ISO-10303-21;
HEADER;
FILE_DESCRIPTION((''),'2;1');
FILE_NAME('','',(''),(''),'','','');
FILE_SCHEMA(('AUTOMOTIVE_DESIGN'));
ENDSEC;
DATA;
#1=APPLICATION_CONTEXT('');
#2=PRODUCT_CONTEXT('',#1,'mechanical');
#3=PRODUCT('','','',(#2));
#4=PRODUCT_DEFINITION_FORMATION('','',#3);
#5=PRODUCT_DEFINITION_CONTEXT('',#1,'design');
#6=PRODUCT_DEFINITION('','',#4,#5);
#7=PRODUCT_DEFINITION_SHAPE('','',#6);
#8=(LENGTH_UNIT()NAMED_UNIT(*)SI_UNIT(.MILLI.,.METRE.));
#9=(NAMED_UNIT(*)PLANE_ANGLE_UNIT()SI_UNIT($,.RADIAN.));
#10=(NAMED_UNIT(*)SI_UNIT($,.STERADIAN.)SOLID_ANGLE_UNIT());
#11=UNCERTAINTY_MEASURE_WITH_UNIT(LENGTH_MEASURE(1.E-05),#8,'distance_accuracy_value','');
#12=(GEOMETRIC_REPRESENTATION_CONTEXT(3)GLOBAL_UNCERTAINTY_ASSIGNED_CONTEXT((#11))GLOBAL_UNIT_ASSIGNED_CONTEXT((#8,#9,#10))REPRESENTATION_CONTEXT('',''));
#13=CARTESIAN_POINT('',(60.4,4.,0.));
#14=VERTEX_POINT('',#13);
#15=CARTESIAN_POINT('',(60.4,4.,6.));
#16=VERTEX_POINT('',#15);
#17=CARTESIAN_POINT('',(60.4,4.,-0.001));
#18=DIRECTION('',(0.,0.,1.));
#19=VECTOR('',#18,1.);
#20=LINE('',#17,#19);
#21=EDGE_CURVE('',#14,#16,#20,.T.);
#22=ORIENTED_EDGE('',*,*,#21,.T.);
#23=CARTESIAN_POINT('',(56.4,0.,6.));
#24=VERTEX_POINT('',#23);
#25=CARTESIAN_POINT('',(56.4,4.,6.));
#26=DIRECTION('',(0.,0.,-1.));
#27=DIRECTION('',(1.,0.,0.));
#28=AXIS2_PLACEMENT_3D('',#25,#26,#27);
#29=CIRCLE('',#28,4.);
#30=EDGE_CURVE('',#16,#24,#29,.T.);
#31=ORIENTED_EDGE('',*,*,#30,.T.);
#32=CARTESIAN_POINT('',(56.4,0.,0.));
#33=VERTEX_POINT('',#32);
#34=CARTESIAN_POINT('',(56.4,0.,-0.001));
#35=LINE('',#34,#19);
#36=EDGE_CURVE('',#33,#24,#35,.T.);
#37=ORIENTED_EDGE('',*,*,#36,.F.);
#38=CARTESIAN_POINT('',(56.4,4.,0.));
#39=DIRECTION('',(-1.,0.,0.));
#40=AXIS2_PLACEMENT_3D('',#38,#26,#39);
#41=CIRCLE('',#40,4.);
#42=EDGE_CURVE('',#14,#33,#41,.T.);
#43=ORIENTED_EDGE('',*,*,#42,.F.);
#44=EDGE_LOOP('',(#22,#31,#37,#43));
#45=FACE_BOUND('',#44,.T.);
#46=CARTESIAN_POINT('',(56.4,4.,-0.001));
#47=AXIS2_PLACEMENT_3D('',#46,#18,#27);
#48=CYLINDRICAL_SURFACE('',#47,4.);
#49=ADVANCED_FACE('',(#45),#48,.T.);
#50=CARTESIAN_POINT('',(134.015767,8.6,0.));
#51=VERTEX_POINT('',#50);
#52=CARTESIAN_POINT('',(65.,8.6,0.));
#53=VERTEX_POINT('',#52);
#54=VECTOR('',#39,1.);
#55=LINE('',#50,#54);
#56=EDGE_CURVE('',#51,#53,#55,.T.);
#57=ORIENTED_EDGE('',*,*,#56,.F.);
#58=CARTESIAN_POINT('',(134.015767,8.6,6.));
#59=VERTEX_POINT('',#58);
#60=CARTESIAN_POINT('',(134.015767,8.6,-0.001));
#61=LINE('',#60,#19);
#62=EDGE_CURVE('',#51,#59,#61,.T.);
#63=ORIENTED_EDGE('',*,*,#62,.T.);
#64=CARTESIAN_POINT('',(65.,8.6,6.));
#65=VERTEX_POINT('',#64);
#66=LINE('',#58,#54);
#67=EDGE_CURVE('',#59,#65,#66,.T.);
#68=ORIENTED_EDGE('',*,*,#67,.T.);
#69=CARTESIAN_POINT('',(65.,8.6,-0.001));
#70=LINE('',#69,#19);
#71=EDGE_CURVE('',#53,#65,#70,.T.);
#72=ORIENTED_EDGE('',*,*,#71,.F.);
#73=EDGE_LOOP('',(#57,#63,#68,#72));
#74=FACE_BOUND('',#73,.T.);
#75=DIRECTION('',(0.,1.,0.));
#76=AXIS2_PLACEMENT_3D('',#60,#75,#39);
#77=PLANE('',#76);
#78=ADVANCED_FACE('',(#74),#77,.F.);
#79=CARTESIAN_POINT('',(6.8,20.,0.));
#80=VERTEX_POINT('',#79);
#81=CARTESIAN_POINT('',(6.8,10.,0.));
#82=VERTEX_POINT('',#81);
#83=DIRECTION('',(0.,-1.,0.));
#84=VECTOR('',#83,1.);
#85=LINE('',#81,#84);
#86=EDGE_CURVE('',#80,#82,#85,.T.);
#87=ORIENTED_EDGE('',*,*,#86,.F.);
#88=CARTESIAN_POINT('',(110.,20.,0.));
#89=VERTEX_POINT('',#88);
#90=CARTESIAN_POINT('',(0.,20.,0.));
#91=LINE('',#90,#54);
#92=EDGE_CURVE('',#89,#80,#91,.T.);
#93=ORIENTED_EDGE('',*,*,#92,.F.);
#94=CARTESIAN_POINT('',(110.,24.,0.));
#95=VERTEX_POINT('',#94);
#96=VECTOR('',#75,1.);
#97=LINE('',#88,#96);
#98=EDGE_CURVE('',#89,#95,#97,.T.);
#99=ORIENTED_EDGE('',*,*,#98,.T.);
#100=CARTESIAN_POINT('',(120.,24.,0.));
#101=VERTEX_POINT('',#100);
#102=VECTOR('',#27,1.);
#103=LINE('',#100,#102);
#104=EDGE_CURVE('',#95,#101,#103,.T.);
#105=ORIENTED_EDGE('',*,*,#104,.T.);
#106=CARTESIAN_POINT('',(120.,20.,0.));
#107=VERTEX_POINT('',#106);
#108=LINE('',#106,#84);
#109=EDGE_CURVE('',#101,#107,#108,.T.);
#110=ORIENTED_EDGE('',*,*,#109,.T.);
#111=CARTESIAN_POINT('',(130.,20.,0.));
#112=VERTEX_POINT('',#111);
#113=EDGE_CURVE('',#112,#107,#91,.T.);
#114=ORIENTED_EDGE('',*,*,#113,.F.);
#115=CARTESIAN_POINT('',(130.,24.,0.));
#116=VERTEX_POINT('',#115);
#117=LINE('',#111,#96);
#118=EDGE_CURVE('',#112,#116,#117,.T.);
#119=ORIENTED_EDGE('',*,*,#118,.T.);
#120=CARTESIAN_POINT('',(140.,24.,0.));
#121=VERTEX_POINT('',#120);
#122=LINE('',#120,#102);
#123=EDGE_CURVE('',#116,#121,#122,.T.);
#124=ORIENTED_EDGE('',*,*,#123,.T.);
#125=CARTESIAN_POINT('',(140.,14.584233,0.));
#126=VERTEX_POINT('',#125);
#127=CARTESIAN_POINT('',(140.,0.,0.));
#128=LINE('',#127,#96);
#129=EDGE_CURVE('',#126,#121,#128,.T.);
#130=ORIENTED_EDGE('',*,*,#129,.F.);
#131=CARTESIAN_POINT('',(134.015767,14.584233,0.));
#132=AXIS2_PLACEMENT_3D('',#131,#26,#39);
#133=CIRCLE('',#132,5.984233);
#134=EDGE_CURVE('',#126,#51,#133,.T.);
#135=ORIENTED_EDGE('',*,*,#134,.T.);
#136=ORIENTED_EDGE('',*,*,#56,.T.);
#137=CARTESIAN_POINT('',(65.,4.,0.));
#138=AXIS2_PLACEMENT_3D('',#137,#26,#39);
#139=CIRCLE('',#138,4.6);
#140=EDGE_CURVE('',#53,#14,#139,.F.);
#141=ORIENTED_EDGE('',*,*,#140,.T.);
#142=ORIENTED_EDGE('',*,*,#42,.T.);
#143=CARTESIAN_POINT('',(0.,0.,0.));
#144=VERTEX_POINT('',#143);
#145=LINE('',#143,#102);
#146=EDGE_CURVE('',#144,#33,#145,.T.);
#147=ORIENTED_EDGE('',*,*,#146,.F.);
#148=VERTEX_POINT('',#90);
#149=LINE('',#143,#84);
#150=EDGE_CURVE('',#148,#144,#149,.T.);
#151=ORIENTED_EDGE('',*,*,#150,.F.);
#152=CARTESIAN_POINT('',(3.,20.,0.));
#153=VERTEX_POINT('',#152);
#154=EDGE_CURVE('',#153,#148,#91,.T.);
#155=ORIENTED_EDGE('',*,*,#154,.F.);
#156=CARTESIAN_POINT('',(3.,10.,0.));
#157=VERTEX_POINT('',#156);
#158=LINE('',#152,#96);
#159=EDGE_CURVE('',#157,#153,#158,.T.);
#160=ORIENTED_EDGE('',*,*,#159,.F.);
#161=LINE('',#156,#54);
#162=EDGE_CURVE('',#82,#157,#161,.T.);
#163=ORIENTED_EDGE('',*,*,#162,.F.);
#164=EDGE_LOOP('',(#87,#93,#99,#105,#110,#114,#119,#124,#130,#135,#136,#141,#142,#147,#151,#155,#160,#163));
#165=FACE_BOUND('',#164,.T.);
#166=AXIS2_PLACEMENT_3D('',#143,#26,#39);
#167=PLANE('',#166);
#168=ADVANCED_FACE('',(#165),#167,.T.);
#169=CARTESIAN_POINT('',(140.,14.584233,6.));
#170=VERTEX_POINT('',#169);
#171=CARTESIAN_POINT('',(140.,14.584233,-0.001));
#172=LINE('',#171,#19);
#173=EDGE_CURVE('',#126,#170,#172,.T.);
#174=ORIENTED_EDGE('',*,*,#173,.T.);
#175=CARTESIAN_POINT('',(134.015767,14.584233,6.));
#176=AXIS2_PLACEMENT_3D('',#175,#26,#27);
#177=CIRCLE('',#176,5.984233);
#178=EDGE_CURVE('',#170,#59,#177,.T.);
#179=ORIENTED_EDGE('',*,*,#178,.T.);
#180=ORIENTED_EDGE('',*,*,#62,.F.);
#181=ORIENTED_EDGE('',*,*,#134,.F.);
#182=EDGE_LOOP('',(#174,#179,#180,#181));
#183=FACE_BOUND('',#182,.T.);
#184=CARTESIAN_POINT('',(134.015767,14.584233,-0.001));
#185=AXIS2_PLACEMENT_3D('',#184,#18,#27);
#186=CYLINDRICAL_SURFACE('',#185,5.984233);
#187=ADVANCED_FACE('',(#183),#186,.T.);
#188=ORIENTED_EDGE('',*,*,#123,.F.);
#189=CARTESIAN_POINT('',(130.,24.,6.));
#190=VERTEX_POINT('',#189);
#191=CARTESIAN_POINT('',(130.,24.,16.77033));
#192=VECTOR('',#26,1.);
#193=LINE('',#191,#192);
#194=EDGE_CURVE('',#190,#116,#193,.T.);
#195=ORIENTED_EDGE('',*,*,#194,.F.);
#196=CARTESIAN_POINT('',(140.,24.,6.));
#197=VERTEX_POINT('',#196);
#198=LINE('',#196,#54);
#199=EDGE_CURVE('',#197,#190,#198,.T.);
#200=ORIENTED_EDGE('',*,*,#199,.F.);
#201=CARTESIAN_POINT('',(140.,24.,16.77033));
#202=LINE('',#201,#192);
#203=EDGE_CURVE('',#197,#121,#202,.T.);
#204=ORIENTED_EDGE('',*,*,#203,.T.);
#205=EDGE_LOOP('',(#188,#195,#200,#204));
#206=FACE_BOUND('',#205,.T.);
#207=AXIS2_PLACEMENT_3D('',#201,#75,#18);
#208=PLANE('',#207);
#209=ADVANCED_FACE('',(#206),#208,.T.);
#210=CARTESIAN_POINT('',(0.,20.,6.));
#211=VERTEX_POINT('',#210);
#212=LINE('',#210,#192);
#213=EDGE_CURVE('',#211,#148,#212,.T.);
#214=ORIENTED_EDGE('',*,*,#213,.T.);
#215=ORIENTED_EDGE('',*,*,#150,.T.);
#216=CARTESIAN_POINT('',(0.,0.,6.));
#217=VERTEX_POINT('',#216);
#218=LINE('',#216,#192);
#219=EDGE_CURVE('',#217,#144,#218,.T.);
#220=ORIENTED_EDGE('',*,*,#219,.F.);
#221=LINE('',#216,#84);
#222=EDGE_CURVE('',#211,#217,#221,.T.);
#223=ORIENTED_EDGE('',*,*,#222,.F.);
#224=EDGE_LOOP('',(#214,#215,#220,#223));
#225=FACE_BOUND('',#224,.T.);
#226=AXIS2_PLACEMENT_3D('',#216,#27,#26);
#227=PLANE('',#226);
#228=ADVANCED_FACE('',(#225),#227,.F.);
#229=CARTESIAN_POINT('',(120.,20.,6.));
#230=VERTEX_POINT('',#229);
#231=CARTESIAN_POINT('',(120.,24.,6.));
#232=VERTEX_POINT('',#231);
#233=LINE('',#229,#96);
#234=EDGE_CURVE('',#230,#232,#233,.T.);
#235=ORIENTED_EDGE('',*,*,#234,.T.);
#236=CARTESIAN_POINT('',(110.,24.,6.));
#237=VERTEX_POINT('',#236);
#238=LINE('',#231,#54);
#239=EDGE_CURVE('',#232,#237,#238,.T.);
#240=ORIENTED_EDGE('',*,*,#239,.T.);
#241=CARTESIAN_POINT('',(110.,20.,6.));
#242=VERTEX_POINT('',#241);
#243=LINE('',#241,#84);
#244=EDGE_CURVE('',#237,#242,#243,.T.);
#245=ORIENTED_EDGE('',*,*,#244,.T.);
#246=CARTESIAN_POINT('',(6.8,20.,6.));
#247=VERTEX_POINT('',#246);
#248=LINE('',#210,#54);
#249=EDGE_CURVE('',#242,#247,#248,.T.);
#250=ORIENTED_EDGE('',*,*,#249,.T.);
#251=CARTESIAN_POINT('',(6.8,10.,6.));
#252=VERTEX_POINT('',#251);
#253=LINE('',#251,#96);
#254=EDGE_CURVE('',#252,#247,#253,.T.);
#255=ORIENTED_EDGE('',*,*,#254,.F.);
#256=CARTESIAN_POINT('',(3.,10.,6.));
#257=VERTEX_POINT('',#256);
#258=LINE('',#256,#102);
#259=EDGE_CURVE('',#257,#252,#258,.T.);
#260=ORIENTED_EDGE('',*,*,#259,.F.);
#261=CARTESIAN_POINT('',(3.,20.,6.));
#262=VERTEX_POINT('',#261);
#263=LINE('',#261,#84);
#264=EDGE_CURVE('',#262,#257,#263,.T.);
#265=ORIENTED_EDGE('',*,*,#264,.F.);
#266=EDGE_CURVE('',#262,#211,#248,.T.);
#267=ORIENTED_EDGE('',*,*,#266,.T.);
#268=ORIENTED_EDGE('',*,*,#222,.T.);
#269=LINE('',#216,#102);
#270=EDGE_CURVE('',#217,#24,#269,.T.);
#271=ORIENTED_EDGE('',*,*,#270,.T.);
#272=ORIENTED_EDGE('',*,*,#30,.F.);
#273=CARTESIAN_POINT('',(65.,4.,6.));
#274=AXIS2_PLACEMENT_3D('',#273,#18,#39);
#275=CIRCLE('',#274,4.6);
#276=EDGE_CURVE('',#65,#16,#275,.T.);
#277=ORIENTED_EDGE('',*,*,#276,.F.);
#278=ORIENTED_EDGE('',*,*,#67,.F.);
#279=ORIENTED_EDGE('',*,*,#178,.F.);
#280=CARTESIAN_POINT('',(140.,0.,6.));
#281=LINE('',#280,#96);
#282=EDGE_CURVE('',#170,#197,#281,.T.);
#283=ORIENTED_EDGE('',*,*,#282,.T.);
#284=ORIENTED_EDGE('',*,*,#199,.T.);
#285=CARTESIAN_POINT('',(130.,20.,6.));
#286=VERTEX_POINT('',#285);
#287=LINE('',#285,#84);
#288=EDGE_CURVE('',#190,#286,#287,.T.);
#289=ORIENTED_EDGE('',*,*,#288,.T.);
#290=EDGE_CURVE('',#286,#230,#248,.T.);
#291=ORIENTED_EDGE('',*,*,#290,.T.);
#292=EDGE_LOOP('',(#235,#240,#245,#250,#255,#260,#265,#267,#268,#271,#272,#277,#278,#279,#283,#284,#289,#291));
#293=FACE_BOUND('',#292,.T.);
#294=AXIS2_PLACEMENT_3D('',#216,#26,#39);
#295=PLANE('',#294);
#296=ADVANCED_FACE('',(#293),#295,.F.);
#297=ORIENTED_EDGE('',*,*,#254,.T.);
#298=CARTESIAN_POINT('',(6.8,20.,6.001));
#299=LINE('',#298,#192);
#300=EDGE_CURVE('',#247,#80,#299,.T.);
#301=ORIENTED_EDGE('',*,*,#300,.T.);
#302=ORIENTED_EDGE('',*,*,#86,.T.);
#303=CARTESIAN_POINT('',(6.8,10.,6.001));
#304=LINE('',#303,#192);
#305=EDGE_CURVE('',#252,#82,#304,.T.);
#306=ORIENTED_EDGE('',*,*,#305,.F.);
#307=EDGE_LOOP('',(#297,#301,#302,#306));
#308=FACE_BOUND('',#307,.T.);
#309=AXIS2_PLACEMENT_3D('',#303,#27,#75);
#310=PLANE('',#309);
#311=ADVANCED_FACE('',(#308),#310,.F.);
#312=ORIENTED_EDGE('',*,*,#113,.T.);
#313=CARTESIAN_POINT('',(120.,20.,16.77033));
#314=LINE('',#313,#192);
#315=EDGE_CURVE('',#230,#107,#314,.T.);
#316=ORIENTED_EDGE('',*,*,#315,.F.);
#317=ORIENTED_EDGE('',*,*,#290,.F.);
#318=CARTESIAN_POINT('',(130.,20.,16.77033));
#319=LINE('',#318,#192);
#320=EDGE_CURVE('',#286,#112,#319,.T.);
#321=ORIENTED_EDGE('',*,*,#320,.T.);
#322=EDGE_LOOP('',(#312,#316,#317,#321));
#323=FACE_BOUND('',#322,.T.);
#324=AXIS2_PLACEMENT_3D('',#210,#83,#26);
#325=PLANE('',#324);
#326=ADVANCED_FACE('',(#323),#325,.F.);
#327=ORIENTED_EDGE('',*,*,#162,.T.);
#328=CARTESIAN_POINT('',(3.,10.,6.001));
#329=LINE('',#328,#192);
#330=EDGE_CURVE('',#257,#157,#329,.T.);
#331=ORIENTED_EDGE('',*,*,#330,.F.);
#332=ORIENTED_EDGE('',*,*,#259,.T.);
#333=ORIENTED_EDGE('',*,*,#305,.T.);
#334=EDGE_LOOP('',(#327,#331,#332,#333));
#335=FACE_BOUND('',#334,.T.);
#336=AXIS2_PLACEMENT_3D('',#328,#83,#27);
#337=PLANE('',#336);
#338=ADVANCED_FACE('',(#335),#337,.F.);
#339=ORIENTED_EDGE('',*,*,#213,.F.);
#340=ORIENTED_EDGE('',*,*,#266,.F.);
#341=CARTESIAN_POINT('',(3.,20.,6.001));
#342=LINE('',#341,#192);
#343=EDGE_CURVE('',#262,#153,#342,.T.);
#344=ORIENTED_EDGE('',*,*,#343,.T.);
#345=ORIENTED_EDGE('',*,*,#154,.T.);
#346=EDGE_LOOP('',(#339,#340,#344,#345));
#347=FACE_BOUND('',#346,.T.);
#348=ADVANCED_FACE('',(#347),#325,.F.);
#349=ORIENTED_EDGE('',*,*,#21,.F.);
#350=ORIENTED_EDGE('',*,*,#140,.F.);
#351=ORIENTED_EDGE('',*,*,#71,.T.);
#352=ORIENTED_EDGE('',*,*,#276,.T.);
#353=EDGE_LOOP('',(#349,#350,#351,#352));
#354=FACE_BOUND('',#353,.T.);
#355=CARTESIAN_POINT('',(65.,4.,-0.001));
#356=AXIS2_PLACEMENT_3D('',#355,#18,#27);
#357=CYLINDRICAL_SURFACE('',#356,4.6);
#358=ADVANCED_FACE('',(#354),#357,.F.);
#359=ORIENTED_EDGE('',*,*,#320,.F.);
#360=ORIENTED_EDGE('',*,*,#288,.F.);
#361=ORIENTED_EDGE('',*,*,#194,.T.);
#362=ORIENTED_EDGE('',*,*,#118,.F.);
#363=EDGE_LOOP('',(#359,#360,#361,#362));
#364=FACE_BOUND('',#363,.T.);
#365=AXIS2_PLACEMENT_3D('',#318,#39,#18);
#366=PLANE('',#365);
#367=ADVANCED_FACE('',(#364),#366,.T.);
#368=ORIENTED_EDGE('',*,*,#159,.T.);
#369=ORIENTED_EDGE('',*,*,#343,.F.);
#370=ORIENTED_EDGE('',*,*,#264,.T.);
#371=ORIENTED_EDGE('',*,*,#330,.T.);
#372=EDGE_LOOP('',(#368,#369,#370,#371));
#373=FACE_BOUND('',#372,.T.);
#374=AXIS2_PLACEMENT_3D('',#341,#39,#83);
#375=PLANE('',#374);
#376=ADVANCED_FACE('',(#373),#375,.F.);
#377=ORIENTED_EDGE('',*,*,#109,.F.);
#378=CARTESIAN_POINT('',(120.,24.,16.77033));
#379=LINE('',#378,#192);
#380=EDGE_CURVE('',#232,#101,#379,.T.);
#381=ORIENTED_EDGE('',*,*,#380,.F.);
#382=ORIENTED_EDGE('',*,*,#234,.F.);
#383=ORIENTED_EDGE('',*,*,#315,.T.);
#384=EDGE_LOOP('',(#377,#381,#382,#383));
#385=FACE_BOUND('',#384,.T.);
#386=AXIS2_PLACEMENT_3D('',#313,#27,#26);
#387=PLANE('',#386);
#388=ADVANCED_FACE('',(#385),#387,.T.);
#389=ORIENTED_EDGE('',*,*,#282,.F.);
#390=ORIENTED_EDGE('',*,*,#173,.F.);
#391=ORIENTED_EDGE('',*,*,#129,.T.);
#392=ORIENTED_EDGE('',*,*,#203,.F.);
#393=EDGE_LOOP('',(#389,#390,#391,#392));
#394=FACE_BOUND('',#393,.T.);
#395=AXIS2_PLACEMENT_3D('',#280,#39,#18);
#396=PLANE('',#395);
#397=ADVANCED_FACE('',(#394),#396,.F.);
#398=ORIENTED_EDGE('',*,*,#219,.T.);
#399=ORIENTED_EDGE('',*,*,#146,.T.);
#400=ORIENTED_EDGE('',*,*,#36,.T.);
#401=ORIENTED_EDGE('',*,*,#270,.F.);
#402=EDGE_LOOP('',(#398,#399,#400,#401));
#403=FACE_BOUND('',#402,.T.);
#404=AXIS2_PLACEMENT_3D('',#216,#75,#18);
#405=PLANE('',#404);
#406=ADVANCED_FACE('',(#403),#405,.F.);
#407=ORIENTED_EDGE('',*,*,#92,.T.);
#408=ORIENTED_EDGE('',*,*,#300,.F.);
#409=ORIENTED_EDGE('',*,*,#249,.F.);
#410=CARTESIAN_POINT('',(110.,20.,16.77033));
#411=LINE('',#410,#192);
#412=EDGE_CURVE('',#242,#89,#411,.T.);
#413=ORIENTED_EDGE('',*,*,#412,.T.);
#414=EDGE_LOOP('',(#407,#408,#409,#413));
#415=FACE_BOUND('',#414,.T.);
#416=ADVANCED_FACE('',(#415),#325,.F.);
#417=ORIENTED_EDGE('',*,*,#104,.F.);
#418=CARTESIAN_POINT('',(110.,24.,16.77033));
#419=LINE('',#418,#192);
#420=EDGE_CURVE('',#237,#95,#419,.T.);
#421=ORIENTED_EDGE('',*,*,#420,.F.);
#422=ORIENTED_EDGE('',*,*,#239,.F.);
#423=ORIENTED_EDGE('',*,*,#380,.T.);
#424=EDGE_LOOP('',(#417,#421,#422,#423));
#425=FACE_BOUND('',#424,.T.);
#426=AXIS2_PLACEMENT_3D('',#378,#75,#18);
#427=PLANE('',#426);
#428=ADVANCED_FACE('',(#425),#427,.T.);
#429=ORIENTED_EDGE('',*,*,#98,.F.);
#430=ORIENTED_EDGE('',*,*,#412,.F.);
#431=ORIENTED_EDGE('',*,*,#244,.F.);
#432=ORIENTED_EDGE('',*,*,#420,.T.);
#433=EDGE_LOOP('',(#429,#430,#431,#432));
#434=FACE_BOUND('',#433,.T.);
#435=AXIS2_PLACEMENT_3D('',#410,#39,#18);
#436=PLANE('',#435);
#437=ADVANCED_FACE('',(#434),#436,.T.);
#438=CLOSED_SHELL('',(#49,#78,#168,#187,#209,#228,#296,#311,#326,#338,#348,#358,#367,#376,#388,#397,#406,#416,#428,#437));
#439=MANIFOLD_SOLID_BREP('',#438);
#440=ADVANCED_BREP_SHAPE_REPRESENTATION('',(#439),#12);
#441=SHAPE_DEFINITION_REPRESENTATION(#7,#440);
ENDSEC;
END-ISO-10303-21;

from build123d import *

# Parameters (mm, degrees)
SKIZZE1_W                       = 140
SKIZZE1_H                       = 20
AUFSATZ_LINEAR_AUSTRAGEN1_DEPTH = 6
SKIZZE2_W                       = 10
SKIZZE2_H                       = 4
AUFSATZ_LINEAR_AUSTRAGEN2_DEPTH = 6
SCHNITT_LINEAR_AUSTRAGEN1_REACH = 8
SKIZZE3_W                       = 3.8
SKIZZE3_H                       = 10
SCHNITT_LINEAR_AUSTRAGEN2_REACH = 8


with BuildPart() as part:
    # Skizze1 → Aufsatz-Linear austragen1 (new body)
    with BuildSketch(Plane.XY):
        with Locations((70, 10)):
            Rectangle(SKIZZE1_W, SKIZZE1_H)
    extrude(amount=AUFSATZ_LINEAR_AUSTRAGEN1_DEPTH)

    # Skizze2 → Aufsatz-Linear austragen2 (add)
    with BuildSketch(Plane(origin=(0, 0, 0), x_dir=(-1, 0, 0), z_dir=(0, 0, -1))):
        with Locations((-135, 22)):
            Rectangle(SKIZZE2_W, SKIZZE2_H)
        with Locations((-115, 22)):
            Rectangle(SKIZZE2_W, SKIZZE2_H)
    extrude(amount=-AUFSATZ_LINEAR_AUSTRAGEN2_DEPTH)

    # Skizze3 → Schnitt-Linear austragen1 (cut, up to next)
    with BuildSketch(Plane(origin=(0, 0, 0), x_dir=(-1, 0, 0), z_dir=(0, 0, -1)), mode=Mode.PRIVATE) as schnitt_linear_austragen1_sk1:
        with Locations((-4.9, 15)):
            Rectangle(SKIZZE3_W, SKIZZE3_H)
    schnitt_linear_austragen1_tool1 = extrude(schnitt_linear_austragen1_sk1.sketch, amount=-SCHNITT_LINEAR_AUSTRAGEN1_REACH, mode=Mode.PRIVATE) & part.part
    add(schnitt_linear_austragen1_tool1.solids().sort_by_distance((4.9, 15, 0))[0], mode=Mode.SUBTRACT)

    # Skizze4 → Schnitt-Linear austragen2 (cut, up to next)
    with BuildSketch(Plane.XY.offset(6), mode=Mode.PRIVATE) as schnitt_linear_austragen2_sk1:
        with BuildLine():
            Line((134.01576743, 8.6), (65, 8.6))
            ThreePointArc((65, 8.6), (61.747308807, 7.252691193), (60.4, 4))
            ThreePointArc((60.4, 4), (59.228427125, 1.171572875), (56.4, 0))
            Line((56.4, 0), (140, 0))
            Line((140, 0), (140, 14.58423257))
            ThreePointArc((140, 14.58423257), (138.247258861, 10.352741139), (134.01576743, 8.6))
        make_face()
    schnitt_linear_austragen2_tool1 = extrude(schnitt_linear_austragen2_sk1.sketch, amount=-SCHNITT_LINEAR_AUSTRAGEN2_REACH, mode=Mode.PRIVATE) & part.part
    add(schnitt_linear_austragen2_tool1.solids().sort_by_distance((100.680271, 4.324252, 6))[0], mode=Mode.SUBTRACT)


solid = part.part
